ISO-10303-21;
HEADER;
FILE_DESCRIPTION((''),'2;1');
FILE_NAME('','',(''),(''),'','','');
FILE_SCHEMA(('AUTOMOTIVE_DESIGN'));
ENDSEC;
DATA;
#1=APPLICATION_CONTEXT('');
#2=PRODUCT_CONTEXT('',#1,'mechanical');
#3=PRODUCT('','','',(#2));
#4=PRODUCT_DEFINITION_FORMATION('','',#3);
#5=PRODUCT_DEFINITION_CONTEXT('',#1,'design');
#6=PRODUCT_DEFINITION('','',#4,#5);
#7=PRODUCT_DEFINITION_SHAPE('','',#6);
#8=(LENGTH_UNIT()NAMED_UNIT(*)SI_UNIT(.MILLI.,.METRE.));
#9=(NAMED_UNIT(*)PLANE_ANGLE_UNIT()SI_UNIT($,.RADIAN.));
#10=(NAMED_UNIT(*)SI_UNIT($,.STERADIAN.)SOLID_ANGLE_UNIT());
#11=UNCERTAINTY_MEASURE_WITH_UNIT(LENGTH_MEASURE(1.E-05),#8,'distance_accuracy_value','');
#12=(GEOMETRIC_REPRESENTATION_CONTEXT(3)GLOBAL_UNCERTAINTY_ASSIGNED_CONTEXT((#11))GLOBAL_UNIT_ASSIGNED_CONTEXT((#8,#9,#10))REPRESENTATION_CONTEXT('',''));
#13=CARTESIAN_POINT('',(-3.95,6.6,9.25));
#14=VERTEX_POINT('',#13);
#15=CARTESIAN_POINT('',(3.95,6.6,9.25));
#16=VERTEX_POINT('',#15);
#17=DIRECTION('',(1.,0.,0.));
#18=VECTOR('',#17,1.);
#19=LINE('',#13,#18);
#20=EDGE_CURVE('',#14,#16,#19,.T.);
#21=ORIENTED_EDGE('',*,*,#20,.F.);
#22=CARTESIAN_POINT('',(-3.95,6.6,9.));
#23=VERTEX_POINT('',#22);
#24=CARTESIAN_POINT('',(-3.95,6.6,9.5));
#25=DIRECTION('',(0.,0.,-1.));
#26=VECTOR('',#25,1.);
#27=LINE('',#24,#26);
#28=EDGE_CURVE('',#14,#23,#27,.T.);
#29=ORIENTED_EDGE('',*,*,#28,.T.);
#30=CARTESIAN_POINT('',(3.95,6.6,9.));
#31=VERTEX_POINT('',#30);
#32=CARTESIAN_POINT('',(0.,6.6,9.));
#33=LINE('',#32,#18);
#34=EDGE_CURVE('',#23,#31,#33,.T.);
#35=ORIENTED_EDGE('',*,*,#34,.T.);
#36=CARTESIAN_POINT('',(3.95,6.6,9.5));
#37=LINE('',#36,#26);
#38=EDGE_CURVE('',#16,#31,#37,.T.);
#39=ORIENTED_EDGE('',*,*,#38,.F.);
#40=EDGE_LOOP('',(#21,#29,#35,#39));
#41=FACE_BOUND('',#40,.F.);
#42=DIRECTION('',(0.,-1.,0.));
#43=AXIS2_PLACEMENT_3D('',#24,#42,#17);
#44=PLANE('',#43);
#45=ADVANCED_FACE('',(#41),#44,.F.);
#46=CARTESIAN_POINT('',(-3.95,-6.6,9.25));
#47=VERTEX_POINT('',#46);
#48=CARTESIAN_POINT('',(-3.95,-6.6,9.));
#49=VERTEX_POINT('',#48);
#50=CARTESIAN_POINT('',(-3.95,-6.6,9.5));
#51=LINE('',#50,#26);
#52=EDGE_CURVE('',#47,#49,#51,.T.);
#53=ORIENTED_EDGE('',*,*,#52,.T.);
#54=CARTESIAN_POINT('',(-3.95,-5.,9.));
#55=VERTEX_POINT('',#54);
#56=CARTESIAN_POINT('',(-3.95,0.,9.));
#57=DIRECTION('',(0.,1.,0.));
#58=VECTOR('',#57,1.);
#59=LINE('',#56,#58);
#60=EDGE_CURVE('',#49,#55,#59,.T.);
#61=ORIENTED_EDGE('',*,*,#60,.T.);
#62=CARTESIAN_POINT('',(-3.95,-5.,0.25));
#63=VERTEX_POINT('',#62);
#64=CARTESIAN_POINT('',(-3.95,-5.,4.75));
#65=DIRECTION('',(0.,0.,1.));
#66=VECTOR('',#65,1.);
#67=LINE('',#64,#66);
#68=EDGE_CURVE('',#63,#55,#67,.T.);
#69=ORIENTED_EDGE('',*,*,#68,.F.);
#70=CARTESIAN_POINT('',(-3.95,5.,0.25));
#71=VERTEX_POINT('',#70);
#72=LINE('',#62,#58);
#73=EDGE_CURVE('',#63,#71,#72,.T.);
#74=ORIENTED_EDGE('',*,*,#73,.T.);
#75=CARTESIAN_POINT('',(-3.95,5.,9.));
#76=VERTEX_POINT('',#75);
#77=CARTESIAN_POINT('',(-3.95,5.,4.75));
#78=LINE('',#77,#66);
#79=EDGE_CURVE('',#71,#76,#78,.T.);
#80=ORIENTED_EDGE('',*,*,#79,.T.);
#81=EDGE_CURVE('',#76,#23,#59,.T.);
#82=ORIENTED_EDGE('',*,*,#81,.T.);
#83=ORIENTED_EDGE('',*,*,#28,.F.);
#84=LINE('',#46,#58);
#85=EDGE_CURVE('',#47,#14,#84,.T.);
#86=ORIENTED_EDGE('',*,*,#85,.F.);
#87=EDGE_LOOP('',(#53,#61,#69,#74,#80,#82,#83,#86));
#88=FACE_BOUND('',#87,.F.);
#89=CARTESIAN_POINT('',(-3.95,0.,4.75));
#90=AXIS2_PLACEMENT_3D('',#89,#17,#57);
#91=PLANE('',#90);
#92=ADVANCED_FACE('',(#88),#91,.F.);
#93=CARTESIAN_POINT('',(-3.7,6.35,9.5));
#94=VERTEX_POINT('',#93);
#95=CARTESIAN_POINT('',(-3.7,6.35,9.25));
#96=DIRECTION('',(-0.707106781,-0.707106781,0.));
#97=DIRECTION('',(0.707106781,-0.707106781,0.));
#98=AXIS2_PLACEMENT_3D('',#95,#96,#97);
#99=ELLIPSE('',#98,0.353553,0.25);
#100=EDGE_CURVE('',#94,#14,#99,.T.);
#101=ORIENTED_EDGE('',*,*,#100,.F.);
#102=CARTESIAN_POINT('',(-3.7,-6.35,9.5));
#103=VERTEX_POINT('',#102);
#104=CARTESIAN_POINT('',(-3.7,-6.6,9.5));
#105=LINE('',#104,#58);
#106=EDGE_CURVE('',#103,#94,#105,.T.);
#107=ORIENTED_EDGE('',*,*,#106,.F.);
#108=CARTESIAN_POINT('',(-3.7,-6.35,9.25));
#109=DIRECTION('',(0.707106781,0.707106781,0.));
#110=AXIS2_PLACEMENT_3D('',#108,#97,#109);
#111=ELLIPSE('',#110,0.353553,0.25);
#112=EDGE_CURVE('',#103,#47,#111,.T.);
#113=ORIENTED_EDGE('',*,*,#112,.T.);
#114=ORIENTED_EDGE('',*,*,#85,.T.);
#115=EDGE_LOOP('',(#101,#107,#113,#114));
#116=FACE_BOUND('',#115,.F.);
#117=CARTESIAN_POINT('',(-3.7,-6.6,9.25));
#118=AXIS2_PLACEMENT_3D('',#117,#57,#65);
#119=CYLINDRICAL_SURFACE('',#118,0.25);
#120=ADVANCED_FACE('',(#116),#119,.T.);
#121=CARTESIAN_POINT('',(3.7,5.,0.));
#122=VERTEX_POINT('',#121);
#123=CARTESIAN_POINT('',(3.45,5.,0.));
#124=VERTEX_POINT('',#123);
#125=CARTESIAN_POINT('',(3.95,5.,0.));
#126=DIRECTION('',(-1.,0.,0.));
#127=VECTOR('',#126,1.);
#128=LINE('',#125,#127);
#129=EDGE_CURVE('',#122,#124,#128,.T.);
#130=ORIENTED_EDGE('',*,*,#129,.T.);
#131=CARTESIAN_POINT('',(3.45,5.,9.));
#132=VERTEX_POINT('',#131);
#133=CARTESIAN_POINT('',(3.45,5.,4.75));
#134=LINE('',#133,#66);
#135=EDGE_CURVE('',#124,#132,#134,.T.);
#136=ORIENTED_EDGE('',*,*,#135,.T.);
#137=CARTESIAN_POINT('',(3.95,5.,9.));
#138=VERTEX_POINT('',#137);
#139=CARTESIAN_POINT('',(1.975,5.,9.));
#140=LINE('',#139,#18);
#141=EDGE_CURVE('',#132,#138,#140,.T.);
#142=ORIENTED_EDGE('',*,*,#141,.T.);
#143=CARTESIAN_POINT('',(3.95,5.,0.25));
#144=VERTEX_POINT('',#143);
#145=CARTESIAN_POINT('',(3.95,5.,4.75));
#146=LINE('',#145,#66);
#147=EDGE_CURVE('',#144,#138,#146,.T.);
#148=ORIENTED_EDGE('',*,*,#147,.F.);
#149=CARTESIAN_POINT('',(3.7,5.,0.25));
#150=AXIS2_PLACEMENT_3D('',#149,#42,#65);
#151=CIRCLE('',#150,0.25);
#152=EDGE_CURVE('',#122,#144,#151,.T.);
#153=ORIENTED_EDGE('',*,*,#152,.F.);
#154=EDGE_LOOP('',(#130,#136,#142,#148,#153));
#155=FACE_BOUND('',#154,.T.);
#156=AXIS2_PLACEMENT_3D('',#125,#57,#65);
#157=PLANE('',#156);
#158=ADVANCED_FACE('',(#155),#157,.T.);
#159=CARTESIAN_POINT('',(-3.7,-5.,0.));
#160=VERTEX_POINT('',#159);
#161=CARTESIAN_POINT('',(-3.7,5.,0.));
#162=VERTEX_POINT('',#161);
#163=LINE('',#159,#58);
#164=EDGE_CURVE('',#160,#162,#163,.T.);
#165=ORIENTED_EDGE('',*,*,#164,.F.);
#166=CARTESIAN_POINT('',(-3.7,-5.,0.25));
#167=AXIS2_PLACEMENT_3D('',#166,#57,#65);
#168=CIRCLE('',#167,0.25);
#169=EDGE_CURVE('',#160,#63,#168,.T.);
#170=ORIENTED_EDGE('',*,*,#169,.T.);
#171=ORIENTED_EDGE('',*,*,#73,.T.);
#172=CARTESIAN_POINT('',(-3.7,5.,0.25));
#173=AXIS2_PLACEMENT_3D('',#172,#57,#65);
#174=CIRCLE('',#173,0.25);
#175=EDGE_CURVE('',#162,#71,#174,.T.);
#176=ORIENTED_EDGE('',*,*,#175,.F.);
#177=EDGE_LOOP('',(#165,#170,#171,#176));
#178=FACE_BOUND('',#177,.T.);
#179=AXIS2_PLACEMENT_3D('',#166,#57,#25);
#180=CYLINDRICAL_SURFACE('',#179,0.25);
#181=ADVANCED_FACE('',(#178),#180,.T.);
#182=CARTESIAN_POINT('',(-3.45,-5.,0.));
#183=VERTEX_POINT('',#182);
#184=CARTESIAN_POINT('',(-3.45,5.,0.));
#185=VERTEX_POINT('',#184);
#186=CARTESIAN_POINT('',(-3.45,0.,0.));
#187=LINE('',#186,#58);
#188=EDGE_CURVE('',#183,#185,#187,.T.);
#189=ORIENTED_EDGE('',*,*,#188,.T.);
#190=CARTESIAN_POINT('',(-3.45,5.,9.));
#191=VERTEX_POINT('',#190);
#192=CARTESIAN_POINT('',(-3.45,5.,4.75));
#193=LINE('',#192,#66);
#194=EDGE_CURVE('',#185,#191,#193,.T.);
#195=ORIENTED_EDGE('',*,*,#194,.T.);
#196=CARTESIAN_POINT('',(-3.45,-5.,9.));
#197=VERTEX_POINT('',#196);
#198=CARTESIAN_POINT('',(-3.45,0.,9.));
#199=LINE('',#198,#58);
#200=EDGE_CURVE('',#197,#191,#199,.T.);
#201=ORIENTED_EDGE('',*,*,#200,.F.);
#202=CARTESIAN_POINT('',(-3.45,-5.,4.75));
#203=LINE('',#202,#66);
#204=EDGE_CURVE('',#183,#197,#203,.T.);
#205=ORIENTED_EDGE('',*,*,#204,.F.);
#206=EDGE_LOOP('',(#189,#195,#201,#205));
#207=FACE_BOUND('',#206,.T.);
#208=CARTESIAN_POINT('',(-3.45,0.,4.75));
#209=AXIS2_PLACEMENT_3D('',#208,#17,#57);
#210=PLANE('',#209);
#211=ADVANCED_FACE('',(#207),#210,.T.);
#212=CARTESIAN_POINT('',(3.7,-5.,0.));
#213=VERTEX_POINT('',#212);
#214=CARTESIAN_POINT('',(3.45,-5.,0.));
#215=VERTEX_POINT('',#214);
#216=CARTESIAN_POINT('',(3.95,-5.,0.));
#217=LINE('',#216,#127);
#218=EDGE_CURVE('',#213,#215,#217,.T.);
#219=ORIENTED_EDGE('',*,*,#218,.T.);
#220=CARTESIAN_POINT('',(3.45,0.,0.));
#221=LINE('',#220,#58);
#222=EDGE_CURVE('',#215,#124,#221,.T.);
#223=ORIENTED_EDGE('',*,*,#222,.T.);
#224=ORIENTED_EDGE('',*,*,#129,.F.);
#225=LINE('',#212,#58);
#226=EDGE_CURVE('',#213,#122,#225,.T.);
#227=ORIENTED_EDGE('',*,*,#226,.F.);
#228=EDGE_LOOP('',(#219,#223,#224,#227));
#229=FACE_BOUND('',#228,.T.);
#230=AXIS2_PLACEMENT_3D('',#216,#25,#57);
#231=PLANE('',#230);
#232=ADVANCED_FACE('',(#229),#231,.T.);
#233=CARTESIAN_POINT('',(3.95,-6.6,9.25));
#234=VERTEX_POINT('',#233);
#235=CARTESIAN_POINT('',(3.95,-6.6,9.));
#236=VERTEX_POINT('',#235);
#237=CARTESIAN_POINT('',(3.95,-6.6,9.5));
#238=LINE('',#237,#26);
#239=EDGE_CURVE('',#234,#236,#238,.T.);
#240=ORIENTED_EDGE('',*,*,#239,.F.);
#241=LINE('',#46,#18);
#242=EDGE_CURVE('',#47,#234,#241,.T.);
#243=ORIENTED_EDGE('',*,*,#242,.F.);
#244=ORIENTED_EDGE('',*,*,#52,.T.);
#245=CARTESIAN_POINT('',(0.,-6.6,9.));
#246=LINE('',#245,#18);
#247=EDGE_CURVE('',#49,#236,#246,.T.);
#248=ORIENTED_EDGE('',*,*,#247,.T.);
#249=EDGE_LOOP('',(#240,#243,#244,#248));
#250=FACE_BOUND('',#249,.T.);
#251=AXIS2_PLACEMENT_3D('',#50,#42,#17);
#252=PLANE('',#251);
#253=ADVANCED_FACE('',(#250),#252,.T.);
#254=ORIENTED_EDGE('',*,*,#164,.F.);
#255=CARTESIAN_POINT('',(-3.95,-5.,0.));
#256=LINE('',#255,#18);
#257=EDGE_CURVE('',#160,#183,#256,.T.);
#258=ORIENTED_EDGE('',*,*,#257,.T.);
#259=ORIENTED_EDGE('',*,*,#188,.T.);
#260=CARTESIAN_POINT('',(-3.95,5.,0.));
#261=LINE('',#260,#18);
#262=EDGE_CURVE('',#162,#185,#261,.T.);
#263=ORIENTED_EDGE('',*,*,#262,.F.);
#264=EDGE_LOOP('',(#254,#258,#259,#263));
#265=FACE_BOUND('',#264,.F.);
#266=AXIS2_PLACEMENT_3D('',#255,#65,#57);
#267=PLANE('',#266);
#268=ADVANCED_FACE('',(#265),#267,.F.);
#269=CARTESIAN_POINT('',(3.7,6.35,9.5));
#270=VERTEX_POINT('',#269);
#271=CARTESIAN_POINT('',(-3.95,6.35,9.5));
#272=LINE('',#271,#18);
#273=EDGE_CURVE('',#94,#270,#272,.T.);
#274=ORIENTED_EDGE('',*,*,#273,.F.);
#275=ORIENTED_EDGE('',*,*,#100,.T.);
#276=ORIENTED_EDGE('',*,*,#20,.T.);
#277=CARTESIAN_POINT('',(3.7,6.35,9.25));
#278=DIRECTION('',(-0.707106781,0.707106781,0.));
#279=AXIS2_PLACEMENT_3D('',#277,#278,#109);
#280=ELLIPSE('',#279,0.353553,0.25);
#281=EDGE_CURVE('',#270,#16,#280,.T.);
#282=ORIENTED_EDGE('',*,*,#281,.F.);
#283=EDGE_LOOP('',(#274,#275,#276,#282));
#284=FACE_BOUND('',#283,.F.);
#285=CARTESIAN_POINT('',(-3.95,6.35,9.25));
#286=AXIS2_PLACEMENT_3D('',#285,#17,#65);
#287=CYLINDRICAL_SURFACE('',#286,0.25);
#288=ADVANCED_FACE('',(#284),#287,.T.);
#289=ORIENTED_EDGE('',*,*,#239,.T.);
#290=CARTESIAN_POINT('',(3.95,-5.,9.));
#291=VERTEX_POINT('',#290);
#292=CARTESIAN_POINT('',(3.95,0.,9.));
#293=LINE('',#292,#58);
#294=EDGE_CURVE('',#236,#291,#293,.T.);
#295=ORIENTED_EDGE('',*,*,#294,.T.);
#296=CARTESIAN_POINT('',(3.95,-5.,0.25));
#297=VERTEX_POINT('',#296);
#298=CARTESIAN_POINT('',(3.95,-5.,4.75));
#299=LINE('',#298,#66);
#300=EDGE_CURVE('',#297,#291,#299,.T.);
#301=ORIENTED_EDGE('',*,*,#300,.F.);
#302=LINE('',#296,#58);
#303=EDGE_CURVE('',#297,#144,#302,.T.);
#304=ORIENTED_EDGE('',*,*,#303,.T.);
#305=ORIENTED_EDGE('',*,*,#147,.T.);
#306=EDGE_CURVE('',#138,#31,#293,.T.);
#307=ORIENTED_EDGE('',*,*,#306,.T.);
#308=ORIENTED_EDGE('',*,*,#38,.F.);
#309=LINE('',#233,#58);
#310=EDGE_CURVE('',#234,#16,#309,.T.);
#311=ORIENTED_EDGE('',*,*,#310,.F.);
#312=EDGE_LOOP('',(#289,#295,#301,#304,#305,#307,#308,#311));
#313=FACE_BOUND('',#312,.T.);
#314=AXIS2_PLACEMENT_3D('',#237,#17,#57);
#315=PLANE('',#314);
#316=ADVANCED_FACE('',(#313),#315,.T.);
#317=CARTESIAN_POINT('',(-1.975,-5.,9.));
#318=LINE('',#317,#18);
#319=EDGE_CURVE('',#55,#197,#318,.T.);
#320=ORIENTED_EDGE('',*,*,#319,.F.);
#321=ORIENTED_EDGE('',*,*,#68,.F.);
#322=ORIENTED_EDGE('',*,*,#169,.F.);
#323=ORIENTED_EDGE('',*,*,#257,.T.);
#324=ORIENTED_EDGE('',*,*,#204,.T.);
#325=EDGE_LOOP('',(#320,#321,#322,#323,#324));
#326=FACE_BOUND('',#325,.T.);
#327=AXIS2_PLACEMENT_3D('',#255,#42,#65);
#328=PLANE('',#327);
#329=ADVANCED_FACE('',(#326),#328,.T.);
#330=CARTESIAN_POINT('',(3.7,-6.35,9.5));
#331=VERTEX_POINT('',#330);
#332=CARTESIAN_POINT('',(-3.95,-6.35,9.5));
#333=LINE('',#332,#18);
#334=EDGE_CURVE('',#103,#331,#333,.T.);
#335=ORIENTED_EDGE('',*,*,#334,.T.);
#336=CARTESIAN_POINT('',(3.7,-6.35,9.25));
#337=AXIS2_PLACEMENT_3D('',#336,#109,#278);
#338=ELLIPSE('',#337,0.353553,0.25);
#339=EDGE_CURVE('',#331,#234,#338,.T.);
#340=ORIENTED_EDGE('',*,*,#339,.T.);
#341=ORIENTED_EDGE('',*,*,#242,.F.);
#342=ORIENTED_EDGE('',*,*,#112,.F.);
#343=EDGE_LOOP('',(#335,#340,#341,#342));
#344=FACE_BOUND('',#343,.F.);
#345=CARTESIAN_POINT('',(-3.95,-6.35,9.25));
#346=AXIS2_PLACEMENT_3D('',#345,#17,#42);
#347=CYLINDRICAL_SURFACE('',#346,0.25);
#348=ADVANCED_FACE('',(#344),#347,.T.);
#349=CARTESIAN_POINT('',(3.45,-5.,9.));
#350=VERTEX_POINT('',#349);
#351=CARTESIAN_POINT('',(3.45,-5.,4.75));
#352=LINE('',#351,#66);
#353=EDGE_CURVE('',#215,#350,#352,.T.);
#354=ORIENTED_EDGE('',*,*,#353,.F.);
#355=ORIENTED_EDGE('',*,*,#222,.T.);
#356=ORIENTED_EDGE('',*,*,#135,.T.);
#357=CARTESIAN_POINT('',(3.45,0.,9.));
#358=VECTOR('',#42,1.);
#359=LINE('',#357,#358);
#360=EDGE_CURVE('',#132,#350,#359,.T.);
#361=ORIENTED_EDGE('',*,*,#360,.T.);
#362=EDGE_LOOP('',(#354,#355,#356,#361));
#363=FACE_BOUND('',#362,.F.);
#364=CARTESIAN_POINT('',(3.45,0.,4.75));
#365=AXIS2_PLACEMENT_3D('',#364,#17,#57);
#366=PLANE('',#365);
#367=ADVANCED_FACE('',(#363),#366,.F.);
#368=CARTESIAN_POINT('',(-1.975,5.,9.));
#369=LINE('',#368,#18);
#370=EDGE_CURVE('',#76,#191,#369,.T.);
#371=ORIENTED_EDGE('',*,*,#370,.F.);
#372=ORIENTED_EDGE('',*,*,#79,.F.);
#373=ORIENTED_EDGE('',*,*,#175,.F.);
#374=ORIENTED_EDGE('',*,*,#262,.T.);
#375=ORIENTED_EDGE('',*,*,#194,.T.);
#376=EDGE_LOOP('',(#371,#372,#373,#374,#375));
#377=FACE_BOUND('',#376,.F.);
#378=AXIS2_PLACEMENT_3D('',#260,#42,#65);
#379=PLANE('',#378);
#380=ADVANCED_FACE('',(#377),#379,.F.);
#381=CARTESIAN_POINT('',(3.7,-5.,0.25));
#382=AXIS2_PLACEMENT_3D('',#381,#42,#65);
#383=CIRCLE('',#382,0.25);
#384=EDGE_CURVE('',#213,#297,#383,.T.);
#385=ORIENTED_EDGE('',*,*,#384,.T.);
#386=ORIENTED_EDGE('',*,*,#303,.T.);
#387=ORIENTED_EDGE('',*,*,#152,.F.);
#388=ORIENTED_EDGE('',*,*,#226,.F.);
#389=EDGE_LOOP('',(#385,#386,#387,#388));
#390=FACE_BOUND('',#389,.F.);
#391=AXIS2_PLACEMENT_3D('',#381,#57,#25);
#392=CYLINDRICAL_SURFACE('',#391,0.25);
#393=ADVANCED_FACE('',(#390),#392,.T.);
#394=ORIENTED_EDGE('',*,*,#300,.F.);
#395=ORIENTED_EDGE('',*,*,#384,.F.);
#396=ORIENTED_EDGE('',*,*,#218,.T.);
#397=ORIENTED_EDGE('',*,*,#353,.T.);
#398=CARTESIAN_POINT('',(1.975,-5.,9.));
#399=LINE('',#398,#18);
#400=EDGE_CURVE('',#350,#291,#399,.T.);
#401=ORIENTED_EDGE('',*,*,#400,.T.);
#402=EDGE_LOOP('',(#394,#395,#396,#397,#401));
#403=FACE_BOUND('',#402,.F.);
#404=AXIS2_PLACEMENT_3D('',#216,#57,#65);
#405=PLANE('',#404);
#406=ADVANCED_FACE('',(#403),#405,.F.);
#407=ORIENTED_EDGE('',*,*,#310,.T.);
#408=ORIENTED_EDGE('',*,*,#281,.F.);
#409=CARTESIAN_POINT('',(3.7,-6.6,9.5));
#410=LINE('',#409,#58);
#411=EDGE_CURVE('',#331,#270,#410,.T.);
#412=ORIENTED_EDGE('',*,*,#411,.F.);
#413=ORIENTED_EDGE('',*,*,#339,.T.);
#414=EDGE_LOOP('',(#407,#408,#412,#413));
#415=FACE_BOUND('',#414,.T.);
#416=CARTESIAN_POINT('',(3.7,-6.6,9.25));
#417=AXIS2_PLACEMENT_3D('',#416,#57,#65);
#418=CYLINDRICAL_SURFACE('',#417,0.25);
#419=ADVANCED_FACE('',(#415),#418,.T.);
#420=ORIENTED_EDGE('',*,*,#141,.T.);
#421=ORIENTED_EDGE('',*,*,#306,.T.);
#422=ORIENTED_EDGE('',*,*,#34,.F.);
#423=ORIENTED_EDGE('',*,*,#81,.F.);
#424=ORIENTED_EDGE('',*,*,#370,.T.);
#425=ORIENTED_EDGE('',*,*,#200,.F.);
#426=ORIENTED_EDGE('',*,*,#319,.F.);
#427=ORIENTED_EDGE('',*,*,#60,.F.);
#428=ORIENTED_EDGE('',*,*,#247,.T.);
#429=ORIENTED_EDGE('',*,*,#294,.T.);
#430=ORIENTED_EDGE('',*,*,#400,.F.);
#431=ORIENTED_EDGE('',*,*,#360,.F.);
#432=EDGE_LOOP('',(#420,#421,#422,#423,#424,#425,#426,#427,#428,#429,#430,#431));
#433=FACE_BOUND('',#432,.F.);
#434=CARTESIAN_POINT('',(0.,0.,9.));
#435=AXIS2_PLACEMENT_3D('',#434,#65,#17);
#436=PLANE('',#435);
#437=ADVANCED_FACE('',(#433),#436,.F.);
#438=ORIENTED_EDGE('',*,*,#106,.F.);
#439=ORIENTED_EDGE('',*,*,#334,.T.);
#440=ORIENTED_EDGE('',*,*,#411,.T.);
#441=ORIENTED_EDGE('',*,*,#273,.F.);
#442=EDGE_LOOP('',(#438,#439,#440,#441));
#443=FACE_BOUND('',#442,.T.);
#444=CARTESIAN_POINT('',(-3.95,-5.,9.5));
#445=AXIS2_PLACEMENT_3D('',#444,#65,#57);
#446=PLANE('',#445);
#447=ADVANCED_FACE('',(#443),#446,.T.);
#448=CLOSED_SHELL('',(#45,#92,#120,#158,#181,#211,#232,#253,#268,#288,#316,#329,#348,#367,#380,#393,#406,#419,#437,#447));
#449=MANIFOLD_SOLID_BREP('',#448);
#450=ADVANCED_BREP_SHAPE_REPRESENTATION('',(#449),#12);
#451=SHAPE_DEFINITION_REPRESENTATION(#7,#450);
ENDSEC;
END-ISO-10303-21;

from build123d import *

# Parameters (mm, degrees)
SKETCH006_W  = 10
SKETCH006_H  = 9.5
PAD002_DEPTH = 0.5
SKETCH007_W  = 7.9
SKETCH007_H  = 13.2
PAD003_DEPTH = 0.5
SKETCH008_W  = 10
SKETCH008_H  = 9.5
PAD004_DEPTH = 0.5
FILLET_R     = 0.25


with BuildPart() as part:
    # Sketch006 → Pad002 (new body)
    with BuildSketch(Plane.YZ.offset(3.95)):
        with Locations((0, 4.75)):
            Rectangle(SKETCH006_W, SKETCH006_H)
    extrude(amount=-PAD002_DEPTH)

    # Sketch007 → Pad003 (join)
    with BuildSketch(Plane.XY.offset(9.5)):
        Rectangle(SKETCH007_W, SKETCH007_H)
    extrude(amount=-PAD003_DEPTH)

    # Sketch008 → Pad004 (join)
    with BuildSketch(Plane.YZ.offset(-3.95)):
        with Locations((0, 4.75)):
            Rectangle(SKETCH008_W, SKETCH008_H)
    extrude(amount=PAD004_DEPTH)

    # Fillet
    fillet_edges = [part.edges().sort_by_distance(p)[0] for p in [
        (3.95, 0, 9.5),
        (0, 6.6, 9.5),
        (-3.95, 0, 9.5),
        (0, -6.6, 9.5),
        (3.95, 0, 0),
        (-3.95, 0, 0),
    ]]
    fillet(fillet_edges, radius=FILLET_R)


solid = part.part
